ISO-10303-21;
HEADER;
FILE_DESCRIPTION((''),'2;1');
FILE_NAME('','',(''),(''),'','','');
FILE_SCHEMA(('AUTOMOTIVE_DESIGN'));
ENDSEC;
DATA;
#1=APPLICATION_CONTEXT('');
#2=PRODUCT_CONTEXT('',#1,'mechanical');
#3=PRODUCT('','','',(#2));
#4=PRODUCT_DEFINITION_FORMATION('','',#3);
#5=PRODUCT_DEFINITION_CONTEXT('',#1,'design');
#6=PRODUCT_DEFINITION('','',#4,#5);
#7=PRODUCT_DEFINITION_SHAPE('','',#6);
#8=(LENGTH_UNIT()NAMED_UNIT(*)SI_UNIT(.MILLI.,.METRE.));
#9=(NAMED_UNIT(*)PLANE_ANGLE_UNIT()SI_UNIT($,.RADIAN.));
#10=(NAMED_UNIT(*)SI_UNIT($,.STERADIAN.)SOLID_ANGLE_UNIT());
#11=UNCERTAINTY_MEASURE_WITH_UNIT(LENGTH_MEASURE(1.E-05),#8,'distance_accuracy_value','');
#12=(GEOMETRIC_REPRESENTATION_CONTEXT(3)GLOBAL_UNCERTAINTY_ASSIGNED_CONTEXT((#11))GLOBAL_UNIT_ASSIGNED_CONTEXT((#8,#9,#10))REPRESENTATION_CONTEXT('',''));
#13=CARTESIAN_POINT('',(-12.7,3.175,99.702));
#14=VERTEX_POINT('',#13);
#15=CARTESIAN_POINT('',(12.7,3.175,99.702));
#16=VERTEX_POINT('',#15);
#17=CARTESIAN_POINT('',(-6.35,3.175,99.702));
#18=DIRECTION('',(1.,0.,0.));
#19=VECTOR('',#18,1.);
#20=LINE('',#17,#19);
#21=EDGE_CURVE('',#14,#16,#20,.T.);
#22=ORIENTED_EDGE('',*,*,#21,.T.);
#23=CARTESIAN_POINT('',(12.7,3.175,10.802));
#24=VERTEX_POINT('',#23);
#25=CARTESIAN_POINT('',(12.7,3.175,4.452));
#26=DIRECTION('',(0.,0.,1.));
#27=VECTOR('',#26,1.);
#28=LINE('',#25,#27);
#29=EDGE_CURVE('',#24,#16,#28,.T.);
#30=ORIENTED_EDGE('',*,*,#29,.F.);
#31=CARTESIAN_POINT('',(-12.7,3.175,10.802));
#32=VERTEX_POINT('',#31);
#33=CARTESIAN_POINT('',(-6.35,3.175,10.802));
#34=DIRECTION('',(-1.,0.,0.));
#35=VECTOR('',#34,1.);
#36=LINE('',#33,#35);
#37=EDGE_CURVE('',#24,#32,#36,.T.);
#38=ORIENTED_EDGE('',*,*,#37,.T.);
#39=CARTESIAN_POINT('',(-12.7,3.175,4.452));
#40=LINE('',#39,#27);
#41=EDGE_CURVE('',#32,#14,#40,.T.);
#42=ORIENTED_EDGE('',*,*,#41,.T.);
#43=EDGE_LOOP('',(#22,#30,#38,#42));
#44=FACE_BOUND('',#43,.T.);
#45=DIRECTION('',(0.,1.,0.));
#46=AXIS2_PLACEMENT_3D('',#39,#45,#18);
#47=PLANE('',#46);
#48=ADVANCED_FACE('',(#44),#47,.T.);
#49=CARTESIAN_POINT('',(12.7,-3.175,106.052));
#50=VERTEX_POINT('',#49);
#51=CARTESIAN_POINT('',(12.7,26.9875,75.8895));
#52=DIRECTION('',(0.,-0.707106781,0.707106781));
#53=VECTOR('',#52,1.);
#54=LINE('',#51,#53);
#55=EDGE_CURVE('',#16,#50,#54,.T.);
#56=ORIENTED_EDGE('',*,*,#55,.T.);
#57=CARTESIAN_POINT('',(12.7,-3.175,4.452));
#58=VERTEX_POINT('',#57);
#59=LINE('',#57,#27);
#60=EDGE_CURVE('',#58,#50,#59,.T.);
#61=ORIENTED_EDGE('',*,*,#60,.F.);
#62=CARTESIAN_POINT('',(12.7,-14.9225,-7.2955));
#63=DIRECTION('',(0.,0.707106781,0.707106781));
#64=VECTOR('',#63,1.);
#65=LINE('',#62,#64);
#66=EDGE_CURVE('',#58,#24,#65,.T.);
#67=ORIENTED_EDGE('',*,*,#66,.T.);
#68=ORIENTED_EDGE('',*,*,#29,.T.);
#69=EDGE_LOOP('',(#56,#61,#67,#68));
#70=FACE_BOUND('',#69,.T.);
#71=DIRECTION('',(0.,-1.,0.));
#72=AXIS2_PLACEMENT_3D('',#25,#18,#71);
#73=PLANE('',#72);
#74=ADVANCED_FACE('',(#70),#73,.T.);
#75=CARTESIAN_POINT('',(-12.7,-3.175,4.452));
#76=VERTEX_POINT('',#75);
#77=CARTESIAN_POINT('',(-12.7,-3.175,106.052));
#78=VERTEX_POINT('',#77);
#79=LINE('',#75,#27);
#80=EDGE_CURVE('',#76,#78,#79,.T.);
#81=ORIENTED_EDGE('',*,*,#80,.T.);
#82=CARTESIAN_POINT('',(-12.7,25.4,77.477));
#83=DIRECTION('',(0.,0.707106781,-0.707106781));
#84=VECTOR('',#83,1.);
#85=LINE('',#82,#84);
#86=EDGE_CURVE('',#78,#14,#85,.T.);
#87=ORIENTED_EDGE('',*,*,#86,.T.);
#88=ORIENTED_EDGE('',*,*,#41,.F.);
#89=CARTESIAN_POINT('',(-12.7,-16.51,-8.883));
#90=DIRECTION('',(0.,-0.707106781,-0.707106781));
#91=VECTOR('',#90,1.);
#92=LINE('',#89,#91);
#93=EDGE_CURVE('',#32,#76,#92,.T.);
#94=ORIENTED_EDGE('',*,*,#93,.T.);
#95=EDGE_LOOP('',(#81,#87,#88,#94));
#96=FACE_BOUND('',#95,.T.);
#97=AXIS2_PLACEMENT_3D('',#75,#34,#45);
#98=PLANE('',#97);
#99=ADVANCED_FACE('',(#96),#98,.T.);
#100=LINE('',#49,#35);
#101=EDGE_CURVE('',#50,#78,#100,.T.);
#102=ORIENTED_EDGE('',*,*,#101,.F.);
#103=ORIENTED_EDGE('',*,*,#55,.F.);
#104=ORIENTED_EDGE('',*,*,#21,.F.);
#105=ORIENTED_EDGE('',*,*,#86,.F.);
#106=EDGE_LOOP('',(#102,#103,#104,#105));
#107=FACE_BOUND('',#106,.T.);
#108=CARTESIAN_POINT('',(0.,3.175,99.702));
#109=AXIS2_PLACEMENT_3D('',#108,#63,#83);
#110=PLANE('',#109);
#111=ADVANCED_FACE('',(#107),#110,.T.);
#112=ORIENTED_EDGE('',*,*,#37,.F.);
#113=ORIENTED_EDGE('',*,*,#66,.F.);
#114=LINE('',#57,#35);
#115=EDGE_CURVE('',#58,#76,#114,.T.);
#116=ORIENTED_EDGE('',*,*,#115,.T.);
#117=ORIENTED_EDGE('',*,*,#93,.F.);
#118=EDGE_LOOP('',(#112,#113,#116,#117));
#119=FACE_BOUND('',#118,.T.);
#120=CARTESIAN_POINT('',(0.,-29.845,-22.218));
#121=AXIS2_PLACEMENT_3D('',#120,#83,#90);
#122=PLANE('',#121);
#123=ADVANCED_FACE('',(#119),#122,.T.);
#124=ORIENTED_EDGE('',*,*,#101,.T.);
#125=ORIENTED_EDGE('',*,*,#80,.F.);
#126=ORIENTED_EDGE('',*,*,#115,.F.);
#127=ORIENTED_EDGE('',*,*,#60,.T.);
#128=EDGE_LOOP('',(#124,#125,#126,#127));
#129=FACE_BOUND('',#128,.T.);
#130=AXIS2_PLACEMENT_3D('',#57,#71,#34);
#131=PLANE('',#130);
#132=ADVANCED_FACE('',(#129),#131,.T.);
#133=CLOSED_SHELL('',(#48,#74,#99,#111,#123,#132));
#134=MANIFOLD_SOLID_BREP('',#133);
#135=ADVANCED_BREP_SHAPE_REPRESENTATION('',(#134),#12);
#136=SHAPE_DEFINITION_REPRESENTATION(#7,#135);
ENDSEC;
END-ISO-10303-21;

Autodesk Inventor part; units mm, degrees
ref_plane "Start plane" through (0, 0, 4.452) normal (0, 0, 1) x (1, 0, 0)
ref_plane "End plane" through (0, 0, 106.052) normal (0, 0, 1) x (1, 0, 0)
sketch "Sketch" plane through (0, 0, 0) normal (0, 0, 1) x (1, 0, 0)
  line L0 (12.7, -3.175) -> (-12.7, -3.175)
  line L1 (-12.7, -3.175) -> (-12.7, 3.175)
  line L2 (-12.7, 3.175) -> (12.7, 3.175)
  line L3 (12.7, 3.175) -> (12.7, -3.175)
  line L4 (-6, 0) -> (8, 0) construction
  line L5 (0, -30) -> (0, 40) construction
  line L6 (0, 54) -> (0, -44) construction
  line L7 (-17.78, 0) -> (17.78, 0) construction
  dimension "d0" = 6.35
  dimension "d1" = 25.4
  dimension "d4" = 12.7
  dimension "d5" = 3.175
extrude "Body" add sketch "Sketch" along normal up to surface (101.6 mm away) from surface at 4.452
sketch "Sketch3" plane through (0, 0, 0) normal (0, 0, 1) x (1, 0, 0)
  line L0 (0, 0) -> (10, 0)
ref_plane "Work Plane3" through (0, 0, 0) normal (0, -1, 0) x (1, 0, 0)
sketch "Sketch4" plane through (0, 0, 0) normal (0, -1, 0) x (1, 0, 0)
  line L0 (-2, 4.452) -> (12, 4.452)
  line L1 (-2, 106.052) -> (12, 106.052)
  dimension "d9" = 101.6
ref_plane "Work Plane4" through (0, -29.845, -22.218) normal (0, 0.7071, -0.7071) x (1, 0, 0)
split "Split1" plane through (0, -29.845, -22.218) removes the side toward (0, 0.7071, -0.7071)
ref_plane "Work Plane5" through (0, 3.175, 99.702) normal (0, 0.7071, 0.7071) x (1, 0, 0)
split "Split2" plane through (0, 3.175, 99.702) removes the side toward (0, 0.7071, 0.7071)
equation "\"d0\" = G_W"
equation "\"d1\" = G_H"
equation "\"d4\" = 0.5 * d1"
equation "\"d5\" = 0.5 * d0"
equation "\"d2\" = G_L"
equation "\"G_W\" = 6.35"
equation "\"G_H\" = 25.4"
equation "\"G_L\" = d9"
equation "\"G_OFFSET_START\" = -4.452"
equation "\"G_OFFSET_END\" = -5.708"
equation "\"d6\" = -G_OFFSET_START"
equation "\"d7\" = G_OFFSET_END + B_L"
equation "\"B_L\" = 111.76"
properties part number "AISC - 1/4x1 - 4" material "Steel, Mild"
